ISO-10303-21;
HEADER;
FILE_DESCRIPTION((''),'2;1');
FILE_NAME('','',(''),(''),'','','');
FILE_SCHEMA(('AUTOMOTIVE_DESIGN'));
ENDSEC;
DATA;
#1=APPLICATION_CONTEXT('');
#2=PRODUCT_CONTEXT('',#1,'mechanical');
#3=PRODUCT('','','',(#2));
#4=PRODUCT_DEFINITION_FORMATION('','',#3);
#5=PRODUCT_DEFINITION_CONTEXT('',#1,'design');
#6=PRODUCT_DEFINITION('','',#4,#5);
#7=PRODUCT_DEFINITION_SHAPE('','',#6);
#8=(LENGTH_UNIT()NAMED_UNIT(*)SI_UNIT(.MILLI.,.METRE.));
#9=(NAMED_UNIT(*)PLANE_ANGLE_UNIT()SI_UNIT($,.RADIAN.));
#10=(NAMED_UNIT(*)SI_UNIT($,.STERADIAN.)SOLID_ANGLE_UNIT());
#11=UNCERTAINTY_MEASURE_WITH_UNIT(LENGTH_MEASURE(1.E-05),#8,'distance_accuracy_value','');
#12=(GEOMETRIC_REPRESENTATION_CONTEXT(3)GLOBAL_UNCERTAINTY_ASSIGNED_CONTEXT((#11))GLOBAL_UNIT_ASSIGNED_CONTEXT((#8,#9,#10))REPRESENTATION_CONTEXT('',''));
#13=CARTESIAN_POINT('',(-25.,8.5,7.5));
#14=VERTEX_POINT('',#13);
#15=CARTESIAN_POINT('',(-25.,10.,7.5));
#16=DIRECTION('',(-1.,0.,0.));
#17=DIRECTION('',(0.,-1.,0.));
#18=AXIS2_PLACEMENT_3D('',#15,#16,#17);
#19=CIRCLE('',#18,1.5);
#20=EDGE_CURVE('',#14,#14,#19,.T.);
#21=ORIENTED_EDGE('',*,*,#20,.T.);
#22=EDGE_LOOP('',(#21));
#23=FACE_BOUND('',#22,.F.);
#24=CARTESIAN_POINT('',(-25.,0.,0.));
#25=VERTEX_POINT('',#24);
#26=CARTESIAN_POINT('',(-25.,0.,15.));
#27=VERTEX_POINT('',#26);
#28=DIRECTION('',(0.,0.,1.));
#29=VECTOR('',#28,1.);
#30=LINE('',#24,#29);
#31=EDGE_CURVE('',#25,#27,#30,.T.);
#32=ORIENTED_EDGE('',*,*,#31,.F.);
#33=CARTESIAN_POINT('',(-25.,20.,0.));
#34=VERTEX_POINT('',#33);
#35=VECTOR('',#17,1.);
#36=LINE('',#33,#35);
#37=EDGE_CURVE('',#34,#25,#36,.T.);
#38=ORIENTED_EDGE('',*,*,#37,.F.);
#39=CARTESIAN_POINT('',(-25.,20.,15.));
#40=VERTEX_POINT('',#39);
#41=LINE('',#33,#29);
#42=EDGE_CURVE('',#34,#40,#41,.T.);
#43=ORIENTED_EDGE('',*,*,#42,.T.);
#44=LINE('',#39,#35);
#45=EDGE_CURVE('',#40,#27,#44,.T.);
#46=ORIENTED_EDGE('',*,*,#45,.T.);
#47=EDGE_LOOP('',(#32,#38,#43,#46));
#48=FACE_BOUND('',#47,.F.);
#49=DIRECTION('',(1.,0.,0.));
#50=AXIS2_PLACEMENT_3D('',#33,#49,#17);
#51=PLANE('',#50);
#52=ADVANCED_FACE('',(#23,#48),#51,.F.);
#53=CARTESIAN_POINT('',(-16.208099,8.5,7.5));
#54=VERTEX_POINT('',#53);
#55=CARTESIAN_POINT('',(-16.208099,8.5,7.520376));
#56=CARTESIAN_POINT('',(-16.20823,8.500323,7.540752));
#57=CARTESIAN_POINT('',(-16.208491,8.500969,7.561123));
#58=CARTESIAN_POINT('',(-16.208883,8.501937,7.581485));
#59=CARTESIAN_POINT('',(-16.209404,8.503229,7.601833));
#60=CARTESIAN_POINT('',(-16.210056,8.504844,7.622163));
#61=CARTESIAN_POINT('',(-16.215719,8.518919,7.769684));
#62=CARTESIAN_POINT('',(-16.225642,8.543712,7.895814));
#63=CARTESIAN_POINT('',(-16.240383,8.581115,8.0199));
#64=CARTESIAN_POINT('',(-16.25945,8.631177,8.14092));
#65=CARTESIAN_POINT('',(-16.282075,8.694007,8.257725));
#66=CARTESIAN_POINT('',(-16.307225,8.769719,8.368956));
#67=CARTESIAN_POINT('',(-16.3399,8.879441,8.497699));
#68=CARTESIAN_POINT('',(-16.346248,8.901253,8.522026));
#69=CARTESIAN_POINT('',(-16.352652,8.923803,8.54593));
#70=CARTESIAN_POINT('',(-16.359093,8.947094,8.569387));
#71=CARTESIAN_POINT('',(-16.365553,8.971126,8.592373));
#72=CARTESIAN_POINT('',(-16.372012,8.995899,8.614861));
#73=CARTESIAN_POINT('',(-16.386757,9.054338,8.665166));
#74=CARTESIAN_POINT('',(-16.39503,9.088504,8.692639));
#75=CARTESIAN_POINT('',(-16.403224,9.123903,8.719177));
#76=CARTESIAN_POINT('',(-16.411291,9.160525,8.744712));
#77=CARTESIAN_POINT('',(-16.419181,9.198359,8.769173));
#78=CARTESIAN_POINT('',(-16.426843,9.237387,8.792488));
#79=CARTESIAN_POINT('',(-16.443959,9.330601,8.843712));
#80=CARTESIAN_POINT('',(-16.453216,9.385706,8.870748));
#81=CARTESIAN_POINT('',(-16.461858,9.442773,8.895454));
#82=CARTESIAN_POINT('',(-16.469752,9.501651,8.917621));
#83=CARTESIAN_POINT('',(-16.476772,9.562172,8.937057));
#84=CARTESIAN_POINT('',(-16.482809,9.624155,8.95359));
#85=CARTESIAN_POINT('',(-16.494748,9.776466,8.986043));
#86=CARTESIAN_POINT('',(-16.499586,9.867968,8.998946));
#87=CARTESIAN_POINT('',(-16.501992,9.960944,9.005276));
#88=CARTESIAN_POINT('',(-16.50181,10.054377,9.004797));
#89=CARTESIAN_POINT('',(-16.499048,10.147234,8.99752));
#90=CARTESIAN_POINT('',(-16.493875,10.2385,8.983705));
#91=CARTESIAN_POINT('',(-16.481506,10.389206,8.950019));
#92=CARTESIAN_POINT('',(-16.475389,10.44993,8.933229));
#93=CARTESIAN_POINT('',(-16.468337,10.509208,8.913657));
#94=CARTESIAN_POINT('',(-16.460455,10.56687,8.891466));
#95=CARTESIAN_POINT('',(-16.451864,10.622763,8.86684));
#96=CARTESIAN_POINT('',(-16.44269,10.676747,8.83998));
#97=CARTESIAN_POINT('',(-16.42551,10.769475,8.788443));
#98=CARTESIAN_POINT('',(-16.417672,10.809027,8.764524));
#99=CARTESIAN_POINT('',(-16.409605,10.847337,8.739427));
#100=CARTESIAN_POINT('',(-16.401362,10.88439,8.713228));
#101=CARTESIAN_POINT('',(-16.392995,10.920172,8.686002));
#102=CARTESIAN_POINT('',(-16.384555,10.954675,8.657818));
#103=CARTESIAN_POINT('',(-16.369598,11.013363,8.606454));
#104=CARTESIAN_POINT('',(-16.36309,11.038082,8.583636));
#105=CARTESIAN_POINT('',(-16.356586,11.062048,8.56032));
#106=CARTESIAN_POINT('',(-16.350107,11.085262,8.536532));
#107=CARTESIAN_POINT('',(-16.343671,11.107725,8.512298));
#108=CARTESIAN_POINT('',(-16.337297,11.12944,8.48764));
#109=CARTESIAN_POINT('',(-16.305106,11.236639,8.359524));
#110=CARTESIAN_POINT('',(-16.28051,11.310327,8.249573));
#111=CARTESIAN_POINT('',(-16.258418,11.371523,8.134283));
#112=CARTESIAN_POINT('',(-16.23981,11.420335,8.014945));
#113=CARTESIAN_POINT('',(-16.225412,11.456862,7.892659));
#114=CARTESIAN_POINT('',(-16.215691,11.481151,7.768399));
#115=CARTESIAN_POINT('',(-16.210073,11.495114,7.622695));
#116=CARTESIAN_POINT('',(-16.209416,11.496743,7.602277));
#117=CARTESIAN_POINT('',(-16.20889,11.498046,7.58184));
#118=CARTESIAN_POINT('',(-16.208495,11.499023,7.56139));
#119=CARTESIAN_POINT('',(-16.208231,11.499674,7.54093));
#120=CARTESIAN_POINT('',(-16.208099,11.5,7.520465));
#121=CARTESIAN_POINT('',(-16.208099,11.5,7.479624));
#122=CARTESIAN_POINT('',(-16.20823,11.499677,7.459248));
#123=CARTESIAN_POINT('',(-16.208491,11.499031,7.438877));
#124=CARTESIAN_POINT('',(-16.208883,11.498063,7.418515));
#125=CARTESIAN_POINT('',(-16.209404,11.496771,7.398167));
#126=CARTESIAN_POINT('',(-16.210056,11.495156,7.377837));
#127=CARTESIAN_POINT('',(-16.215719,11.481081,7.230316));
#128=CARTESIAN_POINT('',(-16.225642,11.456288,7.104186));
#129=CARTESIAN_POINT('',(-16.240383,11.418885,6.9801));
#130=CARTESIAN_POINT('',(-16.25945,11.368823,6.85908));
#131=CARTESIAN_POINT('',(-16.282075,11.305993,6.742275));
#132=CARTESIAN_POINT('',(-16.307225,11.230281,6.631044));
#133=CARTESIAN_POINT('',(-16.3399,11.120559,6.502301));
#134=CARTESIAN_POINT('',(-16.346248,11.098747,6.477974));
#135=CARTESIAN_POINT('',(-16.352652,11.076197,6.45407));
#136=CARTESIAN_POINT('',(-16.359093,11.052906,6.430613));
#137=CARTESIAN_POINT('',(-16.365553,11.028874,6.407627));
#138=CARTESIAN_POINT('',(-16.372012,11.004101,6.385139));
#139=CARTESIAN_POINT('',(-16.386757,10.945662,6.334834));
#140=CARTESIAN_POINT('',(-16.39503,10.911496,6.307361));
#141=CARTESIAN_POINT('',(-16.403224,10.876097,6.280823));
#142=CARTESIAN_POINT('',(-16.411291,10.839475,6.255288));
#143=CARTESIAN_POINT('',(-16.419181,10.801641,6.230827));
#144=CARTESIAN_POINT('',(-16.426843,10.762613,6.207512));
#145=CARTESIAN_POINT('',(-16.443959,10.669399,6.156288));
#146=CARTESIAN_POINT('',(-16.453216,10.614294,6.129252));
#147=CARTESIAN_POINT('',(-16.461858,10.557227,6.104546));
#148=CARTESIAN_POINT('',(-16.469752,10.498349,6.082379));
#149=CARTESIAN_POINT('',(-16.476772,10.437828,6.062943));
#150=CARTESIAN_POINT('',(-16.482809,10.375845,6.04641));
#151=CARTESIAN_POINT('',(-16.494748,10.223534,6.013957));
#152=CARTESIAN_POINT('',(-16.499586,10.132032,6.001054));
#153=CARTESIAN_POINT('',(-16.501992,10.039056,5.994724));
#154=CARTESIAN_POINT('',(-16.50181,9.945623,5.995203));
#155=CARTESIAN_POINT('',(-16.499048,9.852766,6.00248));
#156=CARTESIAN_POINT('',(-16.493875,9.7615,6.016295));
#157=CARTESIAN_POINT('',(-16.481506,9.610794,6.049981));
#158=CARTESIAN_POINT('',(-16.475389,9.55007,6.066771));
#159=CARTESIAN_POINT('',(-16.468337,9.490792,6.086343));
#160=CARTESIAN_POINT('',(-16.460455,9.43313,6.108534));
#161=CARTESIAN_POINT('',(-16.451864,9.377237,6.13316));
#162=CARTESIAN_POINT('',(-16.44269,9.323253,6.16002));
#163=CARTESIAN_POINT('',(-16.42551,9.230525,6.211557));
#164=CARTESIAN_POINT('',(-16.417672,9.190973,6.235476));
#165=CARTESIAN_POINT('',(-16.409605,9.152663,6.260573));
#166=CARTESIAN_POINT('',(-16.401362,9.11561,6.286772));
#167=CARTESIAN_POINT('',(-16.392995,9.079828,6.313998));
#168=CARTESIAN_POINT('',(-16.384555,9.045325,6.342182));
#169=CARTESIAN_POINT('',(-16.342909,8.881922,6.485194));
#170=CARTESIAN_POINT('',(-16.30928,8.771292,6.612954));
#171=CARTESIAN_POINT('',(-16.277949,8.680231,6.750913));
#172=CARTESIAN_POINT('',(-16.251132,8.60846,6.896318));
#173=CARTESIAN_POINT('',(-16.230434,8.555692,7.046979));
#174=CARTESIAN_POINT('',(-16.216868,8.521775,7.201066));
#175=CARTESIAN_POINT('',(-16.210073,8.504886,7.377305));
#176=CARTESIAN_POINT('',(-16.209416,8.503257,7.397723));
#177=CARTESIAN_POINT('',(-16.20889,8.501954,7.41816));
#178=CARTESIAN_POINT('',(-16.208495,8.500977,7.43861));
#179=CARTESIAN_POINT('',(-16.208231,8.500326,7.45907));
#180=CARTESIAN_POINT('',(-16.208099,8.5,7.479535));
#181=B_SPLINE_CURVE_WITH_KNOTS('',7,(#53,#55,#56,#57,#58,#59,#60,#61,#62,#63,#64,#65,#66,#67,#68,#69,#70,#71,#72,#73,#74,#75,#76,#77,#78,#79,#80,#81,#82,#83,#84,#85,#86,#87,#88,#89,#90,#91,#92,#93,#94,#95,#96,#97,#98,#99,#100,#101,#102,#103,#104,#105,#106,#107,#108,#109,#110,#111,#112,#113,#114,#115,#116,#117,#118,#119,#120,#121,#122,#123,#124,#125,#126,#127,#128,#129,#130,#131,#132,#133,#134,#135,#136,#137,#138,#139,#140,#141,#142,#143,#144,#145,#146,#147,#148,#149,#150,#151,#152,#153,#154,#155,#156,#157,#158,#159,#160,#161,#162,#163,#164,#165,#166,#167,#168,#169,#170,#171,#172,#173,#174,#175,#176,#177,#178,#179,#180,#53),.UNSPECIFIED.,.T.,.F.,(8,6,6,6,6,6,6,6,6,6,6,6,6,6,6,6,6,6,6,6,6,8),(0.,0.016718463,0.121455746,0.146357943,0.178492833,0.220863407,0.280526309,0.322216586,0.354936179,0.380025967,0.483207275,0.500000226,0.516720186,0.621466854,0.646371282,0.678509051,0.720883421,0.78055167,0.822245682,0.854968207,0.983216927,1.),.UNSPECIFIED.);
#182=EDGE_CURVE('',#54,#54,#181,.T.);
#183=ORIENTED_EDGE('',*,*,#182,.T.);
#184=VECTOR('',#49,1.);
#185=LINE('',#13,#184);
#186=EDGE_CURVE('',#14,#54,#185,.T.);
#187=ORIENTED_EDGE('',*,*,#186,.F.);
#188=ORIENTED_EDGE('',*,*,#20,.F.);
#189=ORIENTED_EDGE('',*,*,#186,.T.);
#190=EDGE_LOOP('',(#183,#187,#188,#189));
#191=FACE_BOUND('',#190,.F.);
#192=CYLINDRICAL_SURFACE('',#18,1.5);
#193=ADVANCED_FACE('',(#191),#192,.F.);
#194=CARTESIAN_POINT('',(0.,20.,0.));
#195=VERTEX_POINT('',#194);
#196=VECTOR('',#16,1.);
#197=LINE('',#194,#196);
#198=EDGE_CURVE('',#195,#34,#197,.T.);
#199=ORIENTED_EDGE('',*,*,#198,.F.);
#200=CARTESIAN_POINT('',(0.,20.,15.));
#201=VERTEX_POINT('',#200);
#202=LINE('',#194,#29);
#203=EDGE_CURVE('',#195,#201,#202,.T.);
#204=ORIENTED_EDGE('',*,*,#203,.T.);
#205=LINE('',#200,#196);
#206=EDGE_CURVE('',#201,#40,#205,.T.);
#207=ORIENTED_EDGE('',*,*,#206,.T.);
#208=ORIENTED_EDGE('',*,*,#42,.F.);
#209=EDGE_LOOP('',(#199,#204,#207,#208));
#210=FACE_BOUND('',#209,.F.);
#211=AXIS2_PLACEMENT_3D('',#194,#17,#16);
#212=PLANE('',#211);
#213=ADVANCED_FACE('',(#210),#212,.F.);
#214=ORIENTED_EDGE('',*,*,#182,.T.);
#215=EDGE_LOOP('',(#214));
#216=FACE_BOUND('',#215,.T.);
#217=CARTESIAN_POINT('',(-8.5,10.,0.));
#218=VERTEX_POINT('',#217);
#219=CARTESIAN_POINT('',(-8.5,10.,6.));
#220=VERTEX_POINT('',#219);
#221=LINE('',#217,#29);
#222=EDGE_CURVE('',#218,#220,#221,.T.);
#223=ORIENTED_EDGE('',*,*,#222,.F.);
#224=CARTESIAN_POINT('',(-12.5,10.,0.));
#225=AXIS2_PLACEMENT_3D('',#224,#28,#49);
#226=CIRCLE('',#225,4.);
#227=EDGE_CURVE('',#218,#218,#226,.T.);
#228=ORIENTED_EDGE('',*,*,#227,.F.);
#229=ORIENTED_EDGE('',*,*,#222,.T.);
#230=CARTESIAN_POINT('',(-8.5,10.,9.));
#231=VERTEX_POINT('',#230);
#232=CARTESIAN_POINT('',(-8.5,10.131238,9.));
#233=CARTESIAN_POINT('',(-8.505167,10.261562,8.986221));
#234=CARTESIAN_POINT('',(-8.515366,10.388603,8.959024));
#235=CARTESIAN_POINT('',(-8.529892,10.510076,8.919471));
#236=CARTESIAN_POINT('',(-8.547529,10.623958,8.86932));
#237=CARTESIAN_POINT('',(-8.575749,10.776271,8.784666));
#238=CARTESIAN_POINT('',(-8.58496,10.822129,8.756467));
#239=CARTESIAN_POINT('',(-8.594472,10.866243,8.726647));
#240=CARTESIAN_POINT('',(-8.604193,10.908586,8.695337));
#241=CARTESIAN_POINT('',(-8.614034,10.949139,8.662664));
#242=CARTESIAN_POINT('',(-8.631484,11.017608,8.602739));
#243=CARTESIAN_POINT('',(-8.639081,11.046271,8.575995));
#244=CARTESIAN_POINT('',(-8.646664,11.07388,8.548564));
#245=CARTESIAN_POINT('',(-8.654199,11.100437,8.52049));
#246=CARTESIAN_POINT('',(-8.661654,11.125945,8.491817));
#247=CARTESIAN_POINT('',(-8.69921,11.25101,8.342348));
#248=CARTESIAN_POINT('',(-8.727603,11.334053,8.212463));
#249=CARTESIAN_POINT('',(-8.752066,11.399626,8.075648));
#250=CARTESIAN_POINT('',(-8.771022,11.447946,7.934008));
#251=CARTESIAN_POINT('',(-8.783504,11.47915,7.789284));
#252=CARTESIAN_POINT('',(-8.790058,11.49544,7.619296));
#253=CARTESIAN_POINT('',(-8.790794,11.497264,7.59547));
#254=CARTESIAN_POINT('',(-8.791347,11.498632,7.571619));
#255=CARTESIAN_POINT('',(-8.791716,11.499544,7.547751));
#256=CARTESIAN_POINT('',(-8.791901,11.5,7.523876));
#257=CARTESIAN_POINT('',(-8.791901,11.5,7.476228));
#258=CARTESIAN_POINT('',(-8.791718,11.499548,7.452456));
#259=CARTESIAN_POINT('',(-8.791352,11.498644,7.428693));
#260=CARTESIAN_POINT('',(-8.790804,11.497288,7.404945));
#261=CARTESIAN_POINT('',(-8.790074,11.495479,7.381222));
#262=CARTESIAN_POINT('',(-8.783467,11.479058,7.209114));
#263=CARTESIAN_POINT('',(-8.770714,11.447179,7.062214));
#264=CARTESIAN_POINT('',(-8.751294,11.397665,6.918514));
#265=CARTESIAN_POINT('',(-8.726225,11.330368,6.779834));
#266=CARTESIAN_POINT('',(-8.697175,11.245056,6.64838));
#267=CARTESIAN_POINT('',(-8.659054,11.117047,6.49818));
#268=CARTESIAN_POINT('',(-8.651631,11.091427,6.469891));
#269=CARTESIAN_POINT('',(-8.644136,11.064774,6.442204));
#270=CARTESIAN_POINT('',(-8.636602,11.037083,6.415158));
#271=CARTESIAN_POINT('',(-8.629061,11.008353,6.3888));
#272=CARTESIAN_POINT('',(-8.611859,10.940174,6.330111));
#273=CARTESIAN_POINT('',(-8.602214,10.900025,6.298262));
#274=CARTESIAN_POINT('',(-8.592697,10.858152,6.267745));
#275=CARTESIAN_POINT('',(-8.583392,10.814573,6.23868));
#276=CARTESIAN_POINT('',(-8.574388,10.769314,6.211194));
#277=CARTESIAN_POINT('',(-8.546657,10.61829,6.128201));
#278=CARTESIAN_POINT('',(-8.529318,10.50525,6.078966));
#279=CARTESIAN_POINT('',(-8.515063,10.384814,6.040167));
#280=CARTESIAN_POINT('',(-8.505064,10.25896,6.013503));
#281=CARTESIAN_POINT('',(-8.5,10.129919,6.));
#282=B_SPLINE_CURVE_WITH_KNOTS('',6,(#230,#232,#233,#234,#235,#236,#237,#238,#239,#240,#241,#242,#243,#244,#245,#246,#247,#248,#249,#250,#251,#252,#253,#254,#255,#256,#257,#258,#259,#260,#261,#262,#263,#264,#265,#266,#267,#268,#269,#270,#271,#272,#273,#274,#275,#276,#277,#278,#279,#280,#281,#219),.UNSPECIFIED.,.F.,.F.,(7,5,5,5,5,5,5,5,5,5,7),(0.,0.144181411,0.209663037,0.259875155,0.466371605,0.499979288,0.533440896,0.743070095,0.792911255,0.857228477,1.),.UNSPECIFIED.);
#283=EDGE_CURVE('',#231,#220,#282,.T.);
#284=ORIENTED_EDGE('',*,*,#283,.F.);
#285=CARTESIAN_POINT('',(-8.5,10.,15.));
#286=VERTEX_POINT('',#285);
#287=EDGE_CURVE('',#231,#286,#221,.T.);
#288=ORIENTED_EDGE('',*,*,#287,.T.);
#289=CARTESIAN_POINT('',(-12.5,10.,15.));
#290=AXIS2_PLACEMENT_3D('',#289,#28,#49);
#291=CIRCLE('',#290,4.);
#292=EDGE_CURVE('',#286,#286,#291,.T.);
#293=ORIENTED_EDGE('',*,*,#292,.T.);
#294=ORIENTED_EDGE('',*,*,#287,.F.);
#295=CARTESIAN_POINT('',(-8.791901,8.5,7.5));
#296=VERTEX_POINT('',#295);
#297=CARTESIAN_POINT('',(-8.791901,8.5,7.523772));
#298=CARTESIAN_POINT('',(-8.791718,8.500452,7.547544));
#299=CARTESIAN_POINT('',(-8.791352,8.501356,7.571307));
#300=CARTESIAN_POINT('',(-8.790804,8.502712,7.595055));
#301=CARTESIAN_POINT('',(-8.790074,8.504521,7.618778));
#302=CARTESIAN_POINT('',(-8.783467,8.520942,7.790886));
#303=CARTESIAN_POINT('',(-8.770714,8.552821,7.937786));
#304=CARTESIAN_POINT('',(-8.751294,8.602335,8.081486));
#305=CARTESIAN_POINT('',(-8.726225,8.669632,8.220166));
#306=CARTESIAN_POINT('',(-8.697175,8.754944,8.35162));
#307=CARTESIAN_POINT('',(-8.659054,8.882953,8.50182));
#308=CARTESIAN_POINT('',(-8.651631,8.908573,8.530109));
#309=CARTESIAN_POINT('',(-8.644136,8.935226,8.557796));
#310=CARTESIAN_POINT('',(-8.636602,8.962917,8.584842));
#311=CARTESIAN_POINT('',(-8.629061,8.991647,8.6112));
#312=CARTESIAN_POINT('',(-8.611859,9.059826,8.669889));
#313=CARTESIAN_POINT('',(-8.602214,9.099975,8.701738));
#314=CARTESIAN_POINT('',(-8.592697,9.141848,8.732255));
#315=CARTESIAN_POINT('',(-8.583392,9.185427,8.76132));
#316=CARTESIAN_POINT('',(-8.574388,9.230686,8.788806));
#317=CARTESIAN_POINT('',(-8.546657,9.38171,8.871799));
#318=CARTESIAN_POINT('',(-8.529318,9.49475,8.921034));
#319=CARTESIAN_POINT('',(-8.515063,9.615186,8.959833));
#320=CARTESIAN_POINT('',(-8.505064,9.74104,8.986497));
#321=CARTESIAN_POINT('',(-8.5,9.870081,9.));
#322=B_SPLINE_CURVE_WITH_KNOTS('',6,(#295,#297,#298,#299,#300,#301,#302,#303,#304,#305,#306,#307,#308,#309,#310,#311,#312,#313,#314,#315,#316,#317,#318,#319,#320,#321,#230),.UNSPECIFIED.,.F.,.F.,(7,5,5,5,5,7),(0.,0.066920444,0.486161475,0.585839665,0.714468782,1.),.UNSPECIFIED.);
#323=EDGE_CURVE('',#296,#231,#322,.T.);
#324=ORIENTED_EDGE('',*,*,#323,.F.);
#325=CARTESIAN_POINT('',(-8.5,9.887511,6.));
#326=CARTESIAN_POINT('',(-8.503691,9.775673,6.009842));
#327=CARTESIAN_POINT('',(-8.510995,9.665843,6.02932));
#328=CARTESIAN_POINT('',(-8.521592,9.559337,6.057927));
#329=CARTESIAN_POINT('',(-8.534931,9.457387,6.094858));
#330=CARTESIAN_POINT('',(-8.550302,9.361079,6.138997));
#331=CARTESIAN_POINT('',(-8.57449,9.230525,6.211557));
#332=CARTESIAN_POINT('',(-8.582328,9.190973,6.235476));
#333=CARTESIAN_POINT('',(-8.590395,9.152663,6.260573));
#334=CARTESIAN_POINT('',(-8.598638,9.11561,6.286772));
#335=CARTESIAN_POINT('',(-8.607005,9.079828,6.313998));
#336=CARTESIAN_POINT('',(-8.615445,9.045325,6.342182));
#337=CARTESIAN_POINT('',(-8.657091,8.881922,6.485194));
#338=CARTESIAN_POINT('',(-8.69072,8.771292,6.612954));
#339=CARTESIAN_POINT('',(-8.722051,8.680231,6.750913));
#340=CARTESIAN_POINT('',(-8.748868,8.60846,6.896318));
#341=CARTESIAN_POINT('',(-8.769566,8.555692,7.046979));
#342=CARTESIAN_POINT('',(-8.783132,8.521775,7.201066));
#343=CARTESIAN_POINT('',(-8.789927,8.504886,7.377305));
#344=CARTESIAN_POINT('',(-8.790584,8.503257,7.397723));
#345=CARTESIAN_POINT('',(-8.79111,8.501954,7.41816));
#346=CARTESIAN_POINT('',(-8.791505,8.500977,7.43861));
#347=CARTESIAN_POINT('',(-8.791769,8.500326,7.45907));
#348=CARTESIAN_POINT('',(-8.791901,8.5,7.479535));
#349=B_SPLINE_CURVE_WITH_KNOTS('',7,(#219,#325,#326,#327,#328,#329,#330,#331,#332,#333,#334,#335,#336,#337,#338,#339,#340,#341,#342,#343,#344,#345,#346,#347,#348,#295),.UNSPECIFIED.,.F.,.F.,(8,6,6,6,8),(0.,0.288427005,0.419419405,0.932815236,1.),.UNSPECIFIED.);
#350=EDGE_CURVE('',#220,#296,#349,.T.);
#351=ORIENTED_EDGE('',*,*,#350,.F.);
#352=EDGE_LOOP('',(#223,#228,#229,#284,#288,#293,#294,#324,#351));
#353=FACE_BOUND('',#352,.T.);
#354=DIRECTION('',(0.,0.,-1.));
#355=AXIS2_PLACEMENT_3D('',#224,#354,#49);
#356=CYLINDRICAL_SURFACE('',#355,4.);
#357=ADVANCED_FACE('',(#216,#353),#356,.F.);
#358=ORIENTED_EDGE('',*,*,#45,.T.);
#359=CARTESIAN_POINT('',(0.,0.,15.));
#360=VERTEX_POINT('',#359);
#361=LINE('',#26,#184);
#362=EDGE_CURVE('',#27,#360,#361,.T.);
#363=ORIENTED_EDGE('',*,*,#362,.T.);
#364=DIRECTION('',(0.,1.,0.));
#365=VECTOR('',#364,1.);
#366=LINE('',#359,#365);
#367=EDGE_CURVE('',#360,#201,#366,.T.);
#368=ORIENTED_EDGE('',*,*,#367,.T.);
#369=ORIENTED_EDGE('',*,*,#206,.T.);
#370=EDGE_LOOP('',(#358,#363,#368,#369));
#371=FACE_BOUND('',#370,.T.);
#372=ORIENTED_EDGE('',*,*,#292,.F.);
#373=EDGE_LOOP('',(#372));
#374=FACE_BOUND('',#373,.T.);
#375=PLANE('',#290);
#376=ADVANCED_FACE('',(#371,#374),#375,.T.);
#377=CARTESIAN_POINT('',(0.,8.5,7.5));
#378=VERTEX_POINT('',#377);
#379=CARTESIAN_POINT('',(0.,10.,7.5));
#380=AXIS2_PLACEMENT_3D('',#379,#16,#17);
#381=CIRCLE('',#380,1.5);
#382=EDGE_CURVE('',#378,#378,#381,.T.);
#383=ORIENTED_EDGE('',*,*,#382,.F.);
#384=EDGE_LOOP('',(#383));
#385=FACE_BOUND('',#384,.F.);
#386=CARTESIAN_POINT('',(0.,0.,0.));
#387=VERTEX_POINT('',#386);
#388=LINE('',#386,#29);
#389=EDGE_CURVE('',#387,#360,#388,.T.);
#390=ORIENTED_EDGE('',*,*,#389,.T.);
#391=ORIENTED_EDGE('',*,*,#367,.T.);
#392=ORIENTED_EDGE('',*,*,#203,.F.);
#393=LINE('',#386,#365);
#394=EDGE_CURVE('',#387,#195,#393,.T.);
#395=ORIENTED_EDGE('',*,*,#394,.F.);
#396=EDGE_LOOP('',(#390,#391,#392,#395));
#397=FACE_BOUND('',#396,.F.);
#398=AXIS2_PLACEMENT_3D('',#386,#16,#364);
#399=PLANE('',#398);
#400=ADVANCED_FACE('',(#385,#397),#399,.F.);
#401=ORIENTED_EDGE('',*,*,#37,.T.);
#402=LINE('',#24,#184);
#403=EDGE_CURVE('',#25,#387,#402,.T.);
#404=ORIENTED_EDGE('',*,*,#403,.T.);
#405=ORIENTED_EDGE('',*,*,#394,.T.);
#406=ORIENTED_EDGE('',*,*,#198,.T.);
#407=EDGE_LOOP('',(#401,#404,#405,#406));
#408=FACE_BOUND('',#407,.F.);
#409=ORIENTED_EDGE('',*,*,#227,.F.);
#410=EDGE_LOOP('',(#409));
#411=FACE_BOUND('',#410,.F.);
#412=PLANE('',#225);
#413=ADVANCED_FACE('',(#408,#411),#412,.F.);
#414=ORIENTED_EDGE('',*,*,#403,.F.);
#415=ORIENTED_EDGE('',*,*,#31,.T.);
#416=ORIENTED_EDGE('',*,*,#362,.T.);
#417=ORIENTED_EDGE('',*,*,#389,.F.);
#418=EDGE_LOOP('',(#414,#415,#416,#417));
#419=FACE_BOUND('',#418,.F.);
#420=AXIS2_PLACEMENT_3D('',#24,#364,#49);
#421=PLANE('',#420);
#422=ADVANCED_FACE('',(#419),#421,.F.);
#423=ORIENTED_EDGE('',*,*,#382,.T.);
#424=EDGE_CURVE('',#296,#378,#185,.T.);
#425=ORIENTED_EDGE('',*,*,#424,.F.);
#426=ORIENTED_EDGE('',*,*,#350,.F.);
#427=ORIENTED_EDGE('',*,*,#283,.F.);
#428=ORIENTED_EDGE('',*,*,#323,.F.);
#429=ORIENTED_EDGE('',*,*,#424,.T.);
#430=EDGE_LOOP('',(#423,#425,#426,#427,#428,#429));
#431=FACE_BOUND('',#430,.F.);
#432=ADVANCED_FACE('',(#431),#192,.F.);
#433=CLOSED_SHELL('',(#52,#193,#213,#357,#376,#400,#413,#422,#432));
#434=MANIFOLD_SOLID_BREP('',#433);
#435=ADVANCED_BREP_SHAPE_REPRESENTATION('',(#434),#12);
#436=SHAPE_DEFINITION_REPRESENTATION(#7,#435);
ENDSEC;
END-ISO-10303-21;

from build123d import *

# Parameters (mm, degrees)
F0_R     = 4
F1_DEPTH = 15
F2_R     = 1.5
F3_DEPTH = 50


with BuildPart() as f1:
    # F0 (on Top) → F1 (new body)
    with BuildSketch(Plane.XY):
        Polygon((-25, 0), (0, 0), (0, 20), (-12.5, 20), (-25, 20), align=None)
        with Locations((-12.5, 10)):
            Circle(F0_R, mode=Mode.SUBTRACT)
    extrude(amount=F1_DEPTH)

    # F2 (on face) → F3 (cut)
    with BuildSketch(Plane(origin=(-25, 0, 0), x_dir=(0, -1, 0), z_dir=(-1, 0, 0))):
        with Locations((-10, 7.5)):
            Circle(F2_R)
    extrude(amount=-F3_DEPTH, mode=Mode.SUBTRACT)


solid = f1.part
